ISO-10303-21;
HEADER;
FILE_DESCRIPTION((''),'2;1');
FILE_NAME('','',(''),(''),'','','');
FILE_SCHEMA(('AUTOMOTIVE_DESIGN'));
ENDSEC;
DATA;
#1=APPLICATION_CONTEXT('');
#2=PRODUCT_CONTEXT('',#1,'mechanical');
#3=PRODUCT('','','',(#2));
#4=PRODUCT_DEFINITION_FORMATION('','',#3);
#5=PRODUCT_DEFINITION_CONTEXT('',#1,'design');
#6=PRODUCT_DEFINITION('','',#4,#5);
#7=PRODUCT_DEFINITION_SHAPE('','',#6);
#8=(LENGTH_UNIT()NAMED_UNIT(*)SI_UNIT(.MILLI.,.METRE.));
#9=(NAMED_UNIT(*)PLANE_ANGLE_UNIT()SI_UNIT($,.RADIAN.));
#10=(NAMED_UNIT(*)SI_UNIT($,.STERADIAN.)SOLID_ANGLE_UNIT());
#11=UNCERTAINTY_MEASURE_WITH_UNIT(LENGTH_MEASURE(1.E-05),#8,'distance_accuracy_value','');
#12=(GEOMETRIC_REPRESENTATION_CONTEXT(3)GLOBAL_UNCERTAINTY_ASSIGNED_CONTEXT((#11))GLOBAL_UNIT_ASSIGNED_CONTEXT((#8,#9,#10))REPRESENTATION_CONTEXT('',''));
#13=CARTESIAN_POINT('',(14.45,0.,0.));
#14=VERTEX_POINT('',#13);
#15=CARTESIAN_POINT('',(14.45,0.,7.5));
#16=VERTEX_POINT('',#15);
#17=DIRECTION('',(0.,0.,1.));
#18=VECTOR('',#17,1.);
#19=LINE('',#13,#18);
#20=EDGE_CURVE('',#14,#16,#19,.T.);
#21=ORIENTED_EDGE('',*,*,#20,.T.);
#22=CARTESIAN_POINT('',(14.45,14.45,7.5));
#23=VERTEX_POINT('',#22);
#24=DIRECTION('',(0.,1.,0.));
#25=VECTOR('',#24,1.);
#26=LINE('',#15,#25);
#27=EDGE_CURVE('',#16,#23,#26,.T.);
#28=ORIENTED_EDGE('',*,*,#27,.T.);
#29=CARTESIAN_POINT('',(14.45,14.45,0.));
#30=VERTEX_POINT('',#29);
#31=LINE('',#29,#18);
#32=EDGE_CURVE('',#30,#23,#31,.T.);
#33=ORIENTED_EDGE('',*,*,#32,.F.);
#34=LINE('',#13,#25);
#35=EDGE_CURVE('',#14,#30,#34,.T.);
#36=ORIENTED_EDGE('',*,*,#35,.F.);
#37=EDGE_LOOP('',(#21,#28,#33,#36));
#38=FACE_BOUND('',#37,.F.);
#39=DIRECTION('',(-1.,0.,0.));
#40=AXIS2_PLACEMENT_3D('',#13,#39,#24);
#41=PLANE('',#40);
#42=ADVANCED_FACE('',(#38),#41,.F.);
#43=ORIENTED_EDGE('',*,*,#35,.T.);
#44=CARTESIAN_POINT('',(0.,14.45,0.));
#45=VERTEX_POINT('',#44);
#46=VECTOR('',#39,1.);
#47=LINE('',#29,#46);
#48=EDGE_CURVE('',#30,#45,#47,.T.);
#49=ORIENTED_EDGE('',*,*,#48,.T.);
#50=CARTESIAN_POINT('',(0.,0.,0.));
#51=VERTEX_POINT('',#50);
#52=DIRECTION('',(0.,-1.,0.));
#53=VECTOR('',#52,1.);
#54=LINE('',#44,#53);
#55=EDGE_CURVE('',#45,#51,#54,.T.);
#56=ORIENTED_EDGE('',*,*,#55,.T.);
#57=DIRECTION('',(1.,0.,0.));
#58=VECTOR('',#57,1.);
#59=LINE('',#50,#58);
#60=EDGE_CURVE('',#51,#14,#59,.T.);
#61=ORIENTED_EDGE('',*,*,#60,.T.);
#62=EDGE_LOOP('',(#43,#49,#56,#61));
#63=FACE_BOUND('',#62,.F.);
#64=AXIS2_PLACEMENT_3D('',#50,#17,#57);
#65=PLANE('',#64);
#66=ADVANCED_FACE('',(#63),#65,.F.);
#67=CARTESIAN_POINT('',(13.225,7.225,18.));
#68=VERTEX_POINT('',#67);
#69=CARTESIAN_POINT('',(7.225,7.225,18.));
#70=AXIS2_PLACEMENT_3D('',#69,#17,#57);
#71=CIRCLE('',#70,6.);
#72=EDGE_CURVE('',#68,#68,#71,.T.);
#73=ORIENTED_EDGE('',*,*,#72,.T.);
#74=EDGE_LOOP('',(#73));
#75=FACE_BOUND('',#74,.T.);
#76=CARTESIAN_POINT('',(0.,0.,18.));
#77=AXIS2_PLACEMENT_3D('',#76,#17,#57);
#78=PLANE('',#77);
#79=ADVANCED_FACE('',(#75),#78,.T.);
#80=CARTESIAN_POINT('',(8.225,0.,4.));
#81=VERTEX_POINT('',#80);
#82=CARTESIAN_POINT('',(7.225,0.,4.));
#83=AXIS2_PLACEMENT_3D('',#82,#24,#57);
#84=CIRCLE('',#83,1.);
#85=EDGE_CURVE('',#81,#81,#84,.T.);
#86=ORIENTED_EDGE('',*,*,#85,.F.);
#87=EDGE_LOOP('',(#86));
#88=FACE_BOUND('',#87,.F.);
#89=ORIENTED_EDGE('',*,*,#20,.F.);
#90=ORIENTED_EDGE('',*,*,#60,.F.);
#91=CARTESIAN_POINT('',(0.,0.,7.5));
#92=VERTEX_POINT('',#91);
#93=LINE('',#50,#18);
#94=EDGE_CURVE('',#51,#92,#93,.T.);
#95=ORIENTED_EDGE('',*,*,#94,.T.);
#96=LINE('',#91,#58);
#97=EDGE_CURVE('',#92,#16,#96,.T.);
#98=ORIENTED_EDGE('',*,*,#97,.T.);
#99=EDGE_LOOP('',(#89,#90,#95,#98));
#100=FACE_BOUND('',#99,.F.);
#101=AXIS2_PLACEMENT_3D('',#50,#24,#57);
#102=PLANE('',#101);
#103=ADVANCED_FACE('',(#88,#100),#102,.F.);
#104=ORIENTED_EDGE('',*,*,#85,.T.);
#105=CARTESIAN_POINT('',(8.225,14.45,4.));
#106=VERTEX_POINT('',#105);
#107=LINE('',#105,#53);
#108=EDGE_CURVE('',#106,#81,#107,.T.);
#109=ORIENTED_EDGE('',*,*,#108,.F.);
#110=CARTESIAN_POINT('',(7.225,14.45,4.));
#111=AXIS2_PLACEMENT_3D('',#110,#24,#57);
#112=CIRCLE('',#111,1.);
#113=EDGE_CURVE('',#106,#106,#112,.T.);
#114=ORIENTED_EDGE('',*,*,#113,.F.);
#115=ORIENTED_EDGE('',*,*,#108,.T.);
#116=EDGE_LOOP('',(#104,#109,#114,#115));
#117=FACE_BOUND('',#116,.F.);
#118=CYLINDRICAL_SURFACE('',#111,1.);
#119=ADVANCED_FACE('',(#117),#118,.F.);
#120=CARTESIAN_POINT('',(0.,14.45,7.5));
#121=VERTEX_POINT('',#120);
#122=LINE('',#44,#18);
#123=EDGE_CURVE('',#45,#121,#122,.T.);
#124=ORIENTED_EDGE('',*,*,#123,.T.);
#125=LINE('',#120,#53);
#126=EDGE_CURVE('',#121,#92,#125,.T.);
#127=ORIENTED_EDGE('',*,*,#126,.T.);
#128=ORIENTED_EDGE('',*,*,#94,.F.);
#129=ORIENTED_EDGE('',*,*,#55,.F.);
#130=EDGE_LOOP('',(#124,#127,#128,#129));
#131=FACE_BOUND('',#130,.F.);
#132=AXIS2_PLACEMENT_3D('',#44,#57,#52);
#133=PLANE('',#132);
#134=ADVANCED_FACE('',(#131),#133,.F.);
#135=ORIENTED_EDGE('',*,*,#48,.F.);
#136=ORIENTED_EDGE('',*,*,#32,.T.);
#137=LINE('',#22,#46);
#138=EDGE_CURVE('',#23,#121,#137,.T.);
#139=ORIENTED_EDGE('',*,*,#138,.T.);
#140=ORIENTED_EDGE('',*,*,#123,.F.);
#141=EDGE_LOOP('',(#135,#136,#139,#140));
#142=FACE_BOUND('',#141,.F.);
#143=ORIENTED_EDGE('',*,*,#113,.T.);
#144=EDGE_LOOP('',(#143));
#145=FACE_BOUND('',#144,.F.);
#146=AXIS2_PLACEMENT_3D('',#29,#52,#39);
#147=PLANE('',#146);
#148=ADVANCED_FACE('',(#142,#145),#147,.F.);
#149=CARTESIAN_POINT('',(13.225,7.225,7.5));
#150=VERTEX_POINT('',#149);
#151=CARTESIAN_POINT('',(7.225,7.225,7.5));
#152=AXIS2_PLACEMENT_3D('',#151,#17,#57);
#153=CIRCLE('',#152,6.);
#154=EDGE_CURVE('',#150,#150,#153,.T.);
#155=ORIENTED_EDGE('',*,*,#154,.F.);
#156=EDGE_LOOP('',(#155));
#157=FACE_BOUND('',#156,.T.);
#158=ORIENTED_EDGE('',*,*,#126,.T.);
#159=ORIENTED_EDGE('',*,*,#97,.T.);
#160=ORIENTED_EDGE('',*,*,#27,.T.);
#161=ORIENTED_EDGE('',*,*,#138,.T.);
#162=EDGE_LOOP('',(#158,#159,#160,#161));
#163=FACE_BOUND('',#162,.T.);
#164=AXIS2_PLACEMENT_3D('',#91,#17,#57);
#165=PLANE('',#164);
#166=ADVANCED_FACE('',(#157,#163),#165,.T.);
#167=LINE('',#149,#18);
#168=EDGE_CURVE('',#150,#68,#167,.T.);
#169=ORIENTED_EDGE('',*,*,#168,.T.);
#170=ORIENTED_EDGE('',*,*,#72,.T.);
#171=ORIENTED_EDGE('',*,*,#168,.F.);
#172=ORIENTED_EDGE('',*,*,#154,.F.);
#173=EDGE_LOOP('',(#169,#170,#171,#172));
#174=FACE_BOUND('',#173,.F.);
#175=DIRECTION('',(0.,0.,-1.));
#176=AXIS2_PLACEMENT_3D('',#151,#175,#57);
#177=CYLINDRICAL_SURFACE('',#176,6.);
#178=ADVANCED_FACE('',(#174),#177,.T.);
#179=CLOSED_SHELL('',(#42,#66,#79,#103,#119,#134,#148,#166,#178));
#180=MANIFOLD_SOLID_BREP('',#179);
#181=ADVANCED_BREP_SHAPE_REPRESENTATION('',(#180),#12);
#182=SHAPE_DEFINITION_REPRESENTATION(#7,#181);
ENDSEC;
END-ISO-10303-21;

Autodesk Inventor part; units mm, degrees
ref_plane "YZ Plane" through (0, 0, 0) normal (1, 0, 0) x (0, 1, 0)
ref_plane "XZ Plane" through (0, 0, 0) normal (0, 1, 0) x (-1, 0, 0)
ref_plane "XY Plane" through (0, 0, 0) normal (0, 0, 1) x (1, 0, 0)
sketch "Sketch1" plane through (0, 0, 0) normal (0, 0, 1) x (1, 0, 0)
  line L0 (0, 0) -> (14.45, 0)
  line L1 (14.45, 0) -> (14.45, 14.45)
  line L2 (14.45, 14.45) -> (0, 14.45)
  line L3 (0, 14.45) -> (0, 0)
  dimension "d0" = 14.45
  dimension "d1" = 14.45
extrude "Extrusion1" add sketch "Sketch1" along normal blind 7.5
sketch "Sketch6" plane through (0, 0, 7.5) normal (0, 0, 1) x (1, 0, 0)
  line L0 (14.45, 0) -> (14.45, 14.45) construction
  line L1 (14.45, 7.225) -> (0, 7.225) construction
  line L2 (0, 14.45) -> (0, 0) construction
  circle A0 centre (7.225, 7.225) radius 6
  dimension "d14" = 12
sketch "Sketch7" plane through (0, 0, 0) normal (-1, 0, 0) x (0, 0, 1)
  line L0 (0, 14.45) -> (0, 0) projected
  line L1 (0, 0) -> (7.5, 0) projected
  line L2 (7.5, 14.45) -> (7.5, 0) projected
  line L3 (0, 14.45) -> (7.5, 14.45) projected
  dimension "d15" = 7.5
extrude "Extrusion4" add sketch "Sketch6" along normal blind 10.5
sketch "Sketch8" plane through (0, 14.45, 0) normal (0, 1, 0) x (1, 0, 0)
  line L0 (14.45, 0) -> (0, 0) projected
  line L1 (0, 0) -> (14.45, 0) construction
  line L2 (7.225, 0) -> (7.225, -5) construction
  line L3 (7.225, -5) -> (9.4124, -5) construction
  circle A0 centre (7.225, -4) radius 1
  dimension "d18" = 5
  dimension "d19" = 2
extrude "Extrusion5" cut sketch "Sketch8" against normal up to surface (14.45 mm away)
sketch "Sketch10" plane through (0, 14.45, 0) normal (0, 1, 0) x (1, 0, 0)
  circle A0 centre (7.225, -4) radius 1 projected
  line L0 (7.225, -4) -> (7.225, -117.6084)
  line L1 (-3.4196, -20.1658) -> (-107.1714, -68.5461)
  line L2 (1.225, -18) -> (13.225, -18) projected
  line L3 (13.225, -18) -> (159.9004, -86.3959)
  point P0 (0, 0)
  dimension "d22" = 130
properties part number "HDzero runcam nano spacer"
